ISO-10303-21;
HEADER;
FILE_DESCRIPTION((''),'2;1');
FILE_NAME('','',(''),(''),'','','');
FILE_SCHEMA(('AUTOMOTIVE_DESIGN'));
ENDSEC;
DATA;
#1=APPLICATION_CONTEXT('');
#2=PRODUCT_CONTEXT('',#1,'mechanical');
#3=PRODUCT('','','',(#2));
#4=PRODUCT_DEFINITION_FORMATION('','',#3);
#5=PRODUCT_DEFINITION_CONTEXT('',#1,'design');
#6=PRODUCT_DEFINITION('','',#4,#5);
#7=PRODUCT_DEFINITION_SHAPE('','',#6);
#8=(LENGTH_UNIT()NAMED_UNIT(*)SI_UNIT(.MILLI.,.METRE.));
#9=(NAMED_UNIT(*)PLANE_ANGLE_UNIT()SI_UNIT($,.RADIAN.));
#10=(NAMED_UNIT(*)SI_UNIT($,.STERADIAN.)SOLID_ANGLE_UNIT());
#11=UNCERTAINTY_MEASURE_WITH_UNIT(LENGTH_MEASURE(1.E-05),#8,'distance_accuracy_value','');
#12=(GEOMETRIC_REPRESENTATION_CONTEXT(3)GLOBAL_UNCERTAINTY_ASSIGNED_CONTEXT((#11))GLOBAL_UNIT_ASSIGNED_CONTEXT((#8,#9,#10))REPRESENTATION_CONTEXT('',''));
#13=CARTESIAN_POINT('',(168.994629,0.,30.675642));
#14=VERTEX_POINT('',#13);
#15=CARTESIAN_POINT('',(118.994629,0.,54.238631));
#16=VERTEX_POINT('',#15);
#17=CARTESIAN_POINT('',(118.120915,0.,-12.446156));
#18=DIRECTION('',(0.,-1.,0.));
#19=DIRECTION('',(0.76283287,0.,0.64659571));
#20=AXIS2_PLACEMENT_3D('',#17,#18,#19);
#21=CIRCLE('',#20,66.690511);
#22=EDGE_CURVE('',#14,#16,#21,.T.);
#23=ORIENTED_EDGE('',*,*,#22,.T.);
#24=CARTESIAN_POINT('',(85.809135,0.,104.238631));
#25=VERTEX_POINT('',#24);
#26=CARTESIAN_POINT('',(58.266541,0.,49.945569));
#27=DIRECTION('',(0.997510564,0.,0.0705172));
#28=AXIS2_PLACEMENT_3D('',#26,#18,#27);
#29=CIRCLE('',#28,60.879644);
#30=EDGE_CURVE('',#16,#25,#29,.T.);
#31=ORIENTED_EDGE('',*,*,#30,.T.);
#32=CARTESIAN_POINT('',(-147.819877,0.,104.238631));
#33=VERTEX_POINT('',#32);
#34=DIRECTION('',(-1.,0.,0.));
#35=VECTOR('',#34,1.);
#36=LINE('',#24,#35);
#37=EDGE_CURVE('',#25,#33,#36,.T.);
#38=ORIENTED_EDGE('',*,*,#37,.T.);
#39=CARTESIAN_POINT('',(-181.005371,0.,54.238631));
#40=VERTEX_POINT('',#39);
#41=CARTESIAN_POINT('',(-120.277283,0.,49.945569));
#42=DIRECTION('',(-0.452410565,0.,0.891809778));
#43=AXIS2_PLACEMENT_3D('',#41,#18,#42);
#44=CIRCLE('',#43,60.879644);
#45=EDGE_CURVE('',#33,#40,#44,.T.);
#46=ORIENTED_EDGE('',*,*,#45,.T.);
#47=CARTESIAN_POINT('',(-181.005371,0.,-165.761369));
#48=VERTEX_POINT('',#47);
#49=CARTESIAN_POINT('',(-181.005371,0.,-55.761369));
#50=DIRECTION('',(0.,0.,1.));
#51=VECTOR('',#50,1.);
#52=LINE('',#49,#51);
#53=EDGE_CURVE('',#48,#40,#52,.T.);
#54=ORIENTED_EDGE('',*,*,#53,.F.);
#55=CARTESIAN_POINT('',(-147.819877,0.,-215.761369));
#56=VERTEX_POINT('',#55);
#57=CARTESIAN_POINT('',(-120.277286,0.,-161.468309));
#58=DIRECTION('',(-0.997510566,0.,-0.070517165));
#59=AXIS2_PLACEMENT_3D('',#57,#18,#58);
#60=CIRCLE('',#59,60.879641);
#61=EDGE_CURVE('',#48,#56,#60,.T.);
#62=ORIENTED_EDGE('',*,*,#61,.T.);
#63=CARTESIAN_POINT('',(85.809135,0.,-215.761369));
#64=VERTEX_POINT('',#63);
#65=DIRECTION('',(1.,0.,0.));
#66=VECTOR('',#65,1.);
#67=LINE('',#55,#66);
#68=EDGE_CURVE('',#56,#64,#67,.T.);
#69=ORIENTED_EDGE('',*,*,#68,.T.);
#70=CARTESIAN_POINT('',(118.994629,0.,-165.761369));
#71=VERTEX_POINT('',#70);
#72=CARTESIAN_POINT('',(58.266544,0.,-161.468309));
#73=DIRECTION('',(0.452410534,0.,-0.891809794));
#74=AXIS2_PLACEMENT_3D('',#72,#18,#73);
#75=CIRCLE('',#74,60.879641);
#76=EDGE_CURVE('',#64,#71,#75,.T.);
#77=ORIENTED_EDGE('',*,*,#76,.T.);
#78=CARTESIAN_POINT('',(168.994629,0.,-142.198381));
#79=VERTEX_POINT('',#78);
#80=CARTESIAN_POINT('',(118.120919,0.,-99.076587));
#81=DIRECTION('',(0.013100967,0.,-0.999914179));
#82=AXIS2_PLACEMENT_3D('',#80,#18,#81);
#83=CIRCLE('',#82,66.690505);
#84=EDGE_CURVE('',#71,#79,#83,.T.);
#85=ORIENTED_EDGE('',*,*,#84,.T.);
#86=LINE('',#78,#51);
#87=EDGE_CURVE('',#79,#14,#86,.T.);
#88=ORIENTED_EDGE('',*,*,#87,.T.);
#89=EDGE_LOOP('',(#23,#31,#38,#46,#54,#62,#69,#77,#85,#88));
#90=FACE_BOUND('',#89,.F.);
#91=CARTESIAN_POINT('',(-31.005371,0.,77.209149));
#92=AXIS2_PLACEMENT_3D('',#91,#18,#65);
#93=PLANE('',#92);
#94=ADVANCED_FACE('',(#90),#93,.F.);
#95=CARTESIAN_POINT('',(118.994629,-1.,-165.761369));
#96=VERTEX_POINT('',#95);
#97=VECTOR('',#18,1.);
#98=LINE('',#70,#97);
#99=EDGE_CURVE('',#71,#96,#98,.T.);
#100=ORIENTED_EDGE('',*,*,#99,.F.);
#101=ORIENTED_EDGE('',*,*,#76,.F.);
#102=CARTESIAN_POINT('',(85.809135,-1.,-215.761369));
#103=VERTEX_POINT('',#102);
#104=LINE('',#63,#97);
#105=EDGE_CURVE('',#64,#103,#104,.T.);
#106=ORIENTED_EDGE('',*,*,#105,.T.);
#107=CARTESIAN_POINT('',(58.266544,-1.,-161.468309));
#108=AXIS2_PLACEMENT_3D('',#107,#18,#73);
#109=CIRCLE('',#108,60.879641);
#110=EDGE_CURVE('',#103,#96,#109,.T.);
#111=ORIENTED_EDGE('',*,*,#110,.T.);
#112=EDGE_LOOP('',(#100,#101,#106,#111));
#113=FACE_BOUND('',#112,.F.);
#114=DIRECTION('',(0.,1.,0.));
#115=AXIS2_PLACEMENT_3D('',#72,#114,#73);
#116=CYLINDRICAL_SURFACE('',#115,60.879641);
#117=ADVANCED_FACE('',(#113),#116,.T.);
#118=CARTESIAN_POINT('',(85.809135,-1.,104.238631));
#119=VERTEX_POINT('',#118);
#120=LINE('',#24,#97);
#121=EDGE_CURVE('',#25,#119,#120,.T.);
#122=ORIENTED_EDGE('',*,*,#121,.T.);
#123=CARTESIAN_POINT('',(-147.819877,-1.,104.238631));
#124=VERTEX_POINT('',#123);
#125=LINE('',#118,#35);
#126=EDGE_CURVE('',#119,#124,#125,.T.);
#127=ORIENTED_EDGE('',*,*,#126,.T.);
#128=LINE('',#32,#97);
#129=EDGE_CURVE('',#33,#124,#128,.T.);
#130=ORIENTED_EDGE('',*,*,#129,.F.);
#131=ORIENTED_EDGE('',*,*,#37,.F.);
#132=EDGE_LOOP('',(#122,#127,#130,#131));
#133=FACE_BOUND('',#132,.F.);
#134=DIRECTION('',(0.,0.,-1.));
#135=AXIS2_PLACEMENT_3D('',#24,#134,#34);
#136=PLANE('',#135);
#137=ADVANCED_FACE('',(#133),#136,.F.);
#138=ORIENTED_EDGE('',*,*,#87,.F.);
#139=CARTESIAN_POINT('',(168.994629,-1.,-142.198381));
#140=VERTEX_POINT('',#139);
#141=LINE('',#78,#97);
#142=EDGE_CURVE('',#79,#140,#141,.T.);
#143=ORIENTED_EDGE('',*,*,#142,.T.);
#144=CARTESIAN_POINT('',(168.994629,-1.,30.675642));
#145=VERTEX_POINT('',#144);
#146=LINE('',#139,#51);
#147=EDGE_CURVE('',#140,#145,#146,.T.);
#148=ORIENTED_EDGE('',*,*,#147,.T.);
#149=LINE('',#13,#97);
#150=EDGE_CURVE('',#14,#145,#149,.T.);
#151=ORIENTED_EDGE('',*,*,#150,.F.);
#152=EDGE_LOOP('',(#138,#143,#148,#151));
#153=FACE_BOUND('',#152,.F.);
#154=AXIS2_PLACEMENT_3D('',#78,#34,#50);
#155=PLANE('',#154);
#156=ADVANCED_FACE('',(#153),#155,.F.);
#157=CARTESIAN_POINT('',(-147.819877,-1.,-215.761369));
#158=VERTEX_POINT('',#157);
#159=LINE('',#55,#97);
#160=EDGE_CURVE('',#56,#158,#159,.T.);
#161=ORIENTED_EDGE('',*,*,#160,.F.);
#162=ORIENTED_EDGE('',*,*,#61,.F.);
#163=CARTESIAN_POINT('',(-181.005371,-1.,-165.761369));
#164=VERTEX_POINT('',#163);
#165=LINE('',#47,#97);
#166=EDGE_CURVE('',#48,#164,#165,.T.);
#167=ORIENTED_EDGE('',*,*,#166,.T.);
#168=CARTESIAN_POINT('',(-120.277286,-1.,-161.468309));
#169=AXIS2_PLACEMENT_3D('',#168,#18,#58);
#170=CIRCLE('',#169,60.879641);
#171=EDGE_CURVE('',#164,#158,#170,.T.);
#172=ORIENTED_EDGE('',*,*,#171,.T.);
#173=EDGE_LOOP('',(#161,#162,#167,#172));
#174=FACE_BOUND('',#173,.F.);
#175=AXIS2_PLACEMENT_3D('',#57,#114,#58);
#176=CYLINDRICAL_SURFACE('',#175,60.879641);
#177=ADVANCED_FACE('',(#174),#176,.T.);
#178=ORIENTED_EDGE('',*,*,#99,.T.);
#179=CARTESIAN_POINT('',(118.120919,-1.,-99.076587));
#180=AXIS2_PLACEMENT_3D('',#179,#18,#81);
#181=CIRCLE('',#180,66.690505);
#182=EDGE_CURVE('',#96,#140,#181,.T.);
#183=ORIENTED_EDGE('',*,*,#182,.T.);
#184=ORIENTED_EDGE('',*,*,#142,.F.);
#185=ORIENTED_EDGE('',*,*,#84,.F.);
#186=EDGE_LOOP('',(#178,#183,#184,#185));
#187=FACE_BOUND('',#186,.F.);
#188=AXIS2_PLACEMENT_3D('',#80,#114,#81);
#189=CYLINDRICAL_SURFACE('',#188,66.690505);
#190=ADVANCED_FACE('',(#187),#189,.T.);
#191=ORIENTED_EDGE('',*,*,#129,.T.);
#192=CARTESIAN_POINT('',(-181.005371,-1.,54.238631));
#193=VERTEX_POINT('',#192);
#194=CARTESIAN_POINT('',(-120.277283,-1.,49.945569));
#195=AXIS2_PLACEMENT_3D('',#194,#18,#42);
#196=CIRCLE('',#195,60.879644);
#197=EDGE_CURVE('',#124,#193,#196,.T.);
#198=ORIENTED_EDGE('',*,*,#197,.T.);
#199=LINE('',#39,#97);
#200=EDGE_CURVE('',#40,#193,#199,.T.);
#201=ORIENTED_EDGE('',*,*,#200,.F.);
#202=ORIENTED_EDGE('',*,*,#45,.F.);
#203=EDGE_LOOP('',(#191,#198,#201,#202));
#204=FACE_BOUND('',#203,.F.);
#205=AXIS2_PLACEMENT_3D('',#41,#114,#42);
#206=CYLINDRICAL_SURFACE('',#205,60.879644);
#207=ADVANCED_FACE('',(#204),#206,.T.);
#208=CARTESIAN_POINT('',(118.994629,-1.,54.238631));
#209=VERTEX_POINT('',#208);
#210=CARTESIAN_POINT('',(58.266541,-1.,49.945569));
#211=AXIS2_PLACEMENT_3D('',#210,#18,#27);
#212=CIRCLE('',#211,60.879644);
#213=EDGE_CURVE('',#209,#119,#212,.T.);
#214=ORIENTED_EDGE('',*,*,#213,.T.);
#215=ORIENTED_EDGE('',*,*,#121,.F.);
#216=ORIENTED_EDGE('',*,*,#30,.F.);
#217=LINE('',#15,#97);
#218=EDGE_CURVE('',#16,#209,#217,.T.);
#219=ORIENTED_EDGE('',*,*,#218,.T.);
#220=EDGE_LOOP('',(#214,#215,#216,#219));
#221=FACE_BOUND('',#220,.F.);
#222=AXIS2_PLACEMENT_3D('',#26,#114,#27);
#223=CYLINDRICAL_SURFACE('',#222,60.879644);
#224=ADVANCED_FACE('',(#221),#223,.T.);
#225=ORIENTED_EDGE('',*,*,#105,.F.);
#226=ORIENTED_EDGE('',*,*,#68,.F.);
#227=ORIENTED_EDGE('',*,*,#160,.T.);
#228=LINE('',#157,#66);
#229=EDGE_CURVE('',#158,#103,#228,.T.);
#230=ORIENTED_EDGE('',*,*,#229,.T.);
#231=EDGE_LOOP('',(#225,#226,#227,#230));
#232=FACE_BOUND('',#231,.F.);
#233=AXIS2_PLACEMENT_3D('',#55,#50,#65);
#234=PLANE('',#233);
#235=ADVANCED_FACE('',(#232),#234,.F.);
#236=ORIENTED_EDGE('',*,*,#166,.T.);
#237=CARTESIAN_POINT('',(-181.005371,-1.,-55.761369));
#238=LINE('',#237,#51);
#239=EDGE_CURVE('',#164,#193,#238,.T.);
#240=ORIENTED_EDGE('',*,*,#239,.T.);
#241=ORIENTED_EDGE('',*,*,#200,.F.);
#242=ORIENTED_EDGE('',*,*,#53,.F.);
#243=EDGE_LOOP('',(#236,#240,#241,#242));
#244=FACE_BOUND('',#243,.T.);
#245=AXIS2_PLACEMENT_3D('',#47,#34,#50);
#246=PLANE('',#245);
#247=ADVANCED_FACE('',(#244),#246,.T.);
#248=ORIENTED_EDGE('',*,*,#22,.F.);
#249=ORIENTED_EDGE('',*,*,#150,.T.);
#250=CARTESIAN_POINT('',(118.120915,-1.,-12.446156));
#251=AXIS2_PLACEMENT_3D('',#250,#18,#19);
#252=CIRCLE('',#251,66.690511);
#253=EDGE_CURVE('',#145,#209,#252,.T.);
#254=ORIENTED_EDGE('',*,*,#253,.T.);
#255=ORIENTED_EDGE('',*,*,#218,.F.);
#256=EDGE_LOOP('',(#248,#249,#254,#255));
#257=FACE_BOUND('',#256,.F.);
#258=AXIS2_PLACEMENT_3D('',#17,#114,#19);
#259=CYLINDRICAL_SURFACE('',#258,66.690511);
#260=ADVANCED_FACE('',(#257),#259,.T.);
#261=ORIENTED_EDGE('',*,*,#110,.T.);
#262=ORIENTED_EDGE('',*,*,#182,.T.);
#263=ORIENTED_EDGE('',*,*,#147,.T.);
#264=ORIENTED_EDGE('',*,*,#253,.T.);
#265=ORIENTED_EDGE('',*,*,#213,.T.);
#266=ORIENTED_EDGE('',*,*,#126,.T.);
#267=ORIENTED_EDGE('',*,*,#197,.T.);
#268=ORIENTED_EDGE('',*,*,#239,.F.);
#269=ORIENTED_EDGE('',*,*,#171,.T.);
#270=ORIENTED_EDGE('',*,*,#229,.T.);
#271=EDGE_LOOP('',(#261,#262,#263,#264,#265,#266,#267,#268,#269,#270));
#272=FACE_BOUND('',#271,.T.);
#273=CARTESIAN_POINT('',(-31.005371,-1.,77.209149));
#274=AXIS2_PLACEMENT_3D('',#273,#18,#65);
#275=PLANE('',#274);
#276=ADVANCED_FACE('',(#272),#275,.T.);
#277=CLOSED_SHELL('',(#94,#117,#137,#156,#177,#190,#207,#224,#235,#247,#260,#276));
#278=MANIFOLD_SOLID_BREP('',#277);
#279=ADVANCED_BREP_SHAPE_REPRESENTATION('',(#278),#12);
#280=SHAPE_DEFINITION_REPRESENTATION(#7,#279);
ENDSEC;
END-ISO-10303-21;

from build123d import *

# Parameters (mm, degrees)
F0_W     = 300
F0_H     = 220
F1_DEPTH = 1


with BuildPart() as f1:
    # F0 (on Front) → F1 (new body)
    with BuildSketch(Plane.XZ):
        with BuildLine():
            Line((85.809135, 104.238631), (-147.819877, 104.238631))
            ThreePointArc((-147.819877, 104.238631), (-171.001324, 83.611616), (-181.005371, 54.238631))
            Line((-181.005371, 54.238631), (118.994629, 54.238631))
            ThreePointArc((118.994629, 54.238631), (108.990582, 83.611616), (85.809135, 104.238631))
        make_face()
        with Locations((-31.005371, -55.761369)):
            Rectangle(F0_W, F0_H)
        with BuildLine():
            ThreePointArc((168.994629, 30.675642), (146.5507, 47.881048), (118.994629, 54.238631))
            Line((118.994629, 54.238631), (118.994629, -165.761369))
            ThreePointArc((118.994629, -165.761369), (146.5507, -159.403787), (168.994629, -142.198381))
            Line((168.994629, -142.198381), (168.994629, 30.675642))
        make_face()
        with BuildLine():
            Line((118.994629, -165.761369), (-181.005371, -165.761369))
            ThreePointArc((-181.005371, -165.761369), (-171.001324, -195.134355), (-147.819877, -215.761369))
            Line((-147.819877, -215.761369), (85.809135, -215.761369))
            ThreePointArc((85.809135, -215.761369), (108.990582, -195.134355), (118.994629, -165.761369))
        make_face()
    extrude(amount=F1_DEPTH)


solid = f1.part
